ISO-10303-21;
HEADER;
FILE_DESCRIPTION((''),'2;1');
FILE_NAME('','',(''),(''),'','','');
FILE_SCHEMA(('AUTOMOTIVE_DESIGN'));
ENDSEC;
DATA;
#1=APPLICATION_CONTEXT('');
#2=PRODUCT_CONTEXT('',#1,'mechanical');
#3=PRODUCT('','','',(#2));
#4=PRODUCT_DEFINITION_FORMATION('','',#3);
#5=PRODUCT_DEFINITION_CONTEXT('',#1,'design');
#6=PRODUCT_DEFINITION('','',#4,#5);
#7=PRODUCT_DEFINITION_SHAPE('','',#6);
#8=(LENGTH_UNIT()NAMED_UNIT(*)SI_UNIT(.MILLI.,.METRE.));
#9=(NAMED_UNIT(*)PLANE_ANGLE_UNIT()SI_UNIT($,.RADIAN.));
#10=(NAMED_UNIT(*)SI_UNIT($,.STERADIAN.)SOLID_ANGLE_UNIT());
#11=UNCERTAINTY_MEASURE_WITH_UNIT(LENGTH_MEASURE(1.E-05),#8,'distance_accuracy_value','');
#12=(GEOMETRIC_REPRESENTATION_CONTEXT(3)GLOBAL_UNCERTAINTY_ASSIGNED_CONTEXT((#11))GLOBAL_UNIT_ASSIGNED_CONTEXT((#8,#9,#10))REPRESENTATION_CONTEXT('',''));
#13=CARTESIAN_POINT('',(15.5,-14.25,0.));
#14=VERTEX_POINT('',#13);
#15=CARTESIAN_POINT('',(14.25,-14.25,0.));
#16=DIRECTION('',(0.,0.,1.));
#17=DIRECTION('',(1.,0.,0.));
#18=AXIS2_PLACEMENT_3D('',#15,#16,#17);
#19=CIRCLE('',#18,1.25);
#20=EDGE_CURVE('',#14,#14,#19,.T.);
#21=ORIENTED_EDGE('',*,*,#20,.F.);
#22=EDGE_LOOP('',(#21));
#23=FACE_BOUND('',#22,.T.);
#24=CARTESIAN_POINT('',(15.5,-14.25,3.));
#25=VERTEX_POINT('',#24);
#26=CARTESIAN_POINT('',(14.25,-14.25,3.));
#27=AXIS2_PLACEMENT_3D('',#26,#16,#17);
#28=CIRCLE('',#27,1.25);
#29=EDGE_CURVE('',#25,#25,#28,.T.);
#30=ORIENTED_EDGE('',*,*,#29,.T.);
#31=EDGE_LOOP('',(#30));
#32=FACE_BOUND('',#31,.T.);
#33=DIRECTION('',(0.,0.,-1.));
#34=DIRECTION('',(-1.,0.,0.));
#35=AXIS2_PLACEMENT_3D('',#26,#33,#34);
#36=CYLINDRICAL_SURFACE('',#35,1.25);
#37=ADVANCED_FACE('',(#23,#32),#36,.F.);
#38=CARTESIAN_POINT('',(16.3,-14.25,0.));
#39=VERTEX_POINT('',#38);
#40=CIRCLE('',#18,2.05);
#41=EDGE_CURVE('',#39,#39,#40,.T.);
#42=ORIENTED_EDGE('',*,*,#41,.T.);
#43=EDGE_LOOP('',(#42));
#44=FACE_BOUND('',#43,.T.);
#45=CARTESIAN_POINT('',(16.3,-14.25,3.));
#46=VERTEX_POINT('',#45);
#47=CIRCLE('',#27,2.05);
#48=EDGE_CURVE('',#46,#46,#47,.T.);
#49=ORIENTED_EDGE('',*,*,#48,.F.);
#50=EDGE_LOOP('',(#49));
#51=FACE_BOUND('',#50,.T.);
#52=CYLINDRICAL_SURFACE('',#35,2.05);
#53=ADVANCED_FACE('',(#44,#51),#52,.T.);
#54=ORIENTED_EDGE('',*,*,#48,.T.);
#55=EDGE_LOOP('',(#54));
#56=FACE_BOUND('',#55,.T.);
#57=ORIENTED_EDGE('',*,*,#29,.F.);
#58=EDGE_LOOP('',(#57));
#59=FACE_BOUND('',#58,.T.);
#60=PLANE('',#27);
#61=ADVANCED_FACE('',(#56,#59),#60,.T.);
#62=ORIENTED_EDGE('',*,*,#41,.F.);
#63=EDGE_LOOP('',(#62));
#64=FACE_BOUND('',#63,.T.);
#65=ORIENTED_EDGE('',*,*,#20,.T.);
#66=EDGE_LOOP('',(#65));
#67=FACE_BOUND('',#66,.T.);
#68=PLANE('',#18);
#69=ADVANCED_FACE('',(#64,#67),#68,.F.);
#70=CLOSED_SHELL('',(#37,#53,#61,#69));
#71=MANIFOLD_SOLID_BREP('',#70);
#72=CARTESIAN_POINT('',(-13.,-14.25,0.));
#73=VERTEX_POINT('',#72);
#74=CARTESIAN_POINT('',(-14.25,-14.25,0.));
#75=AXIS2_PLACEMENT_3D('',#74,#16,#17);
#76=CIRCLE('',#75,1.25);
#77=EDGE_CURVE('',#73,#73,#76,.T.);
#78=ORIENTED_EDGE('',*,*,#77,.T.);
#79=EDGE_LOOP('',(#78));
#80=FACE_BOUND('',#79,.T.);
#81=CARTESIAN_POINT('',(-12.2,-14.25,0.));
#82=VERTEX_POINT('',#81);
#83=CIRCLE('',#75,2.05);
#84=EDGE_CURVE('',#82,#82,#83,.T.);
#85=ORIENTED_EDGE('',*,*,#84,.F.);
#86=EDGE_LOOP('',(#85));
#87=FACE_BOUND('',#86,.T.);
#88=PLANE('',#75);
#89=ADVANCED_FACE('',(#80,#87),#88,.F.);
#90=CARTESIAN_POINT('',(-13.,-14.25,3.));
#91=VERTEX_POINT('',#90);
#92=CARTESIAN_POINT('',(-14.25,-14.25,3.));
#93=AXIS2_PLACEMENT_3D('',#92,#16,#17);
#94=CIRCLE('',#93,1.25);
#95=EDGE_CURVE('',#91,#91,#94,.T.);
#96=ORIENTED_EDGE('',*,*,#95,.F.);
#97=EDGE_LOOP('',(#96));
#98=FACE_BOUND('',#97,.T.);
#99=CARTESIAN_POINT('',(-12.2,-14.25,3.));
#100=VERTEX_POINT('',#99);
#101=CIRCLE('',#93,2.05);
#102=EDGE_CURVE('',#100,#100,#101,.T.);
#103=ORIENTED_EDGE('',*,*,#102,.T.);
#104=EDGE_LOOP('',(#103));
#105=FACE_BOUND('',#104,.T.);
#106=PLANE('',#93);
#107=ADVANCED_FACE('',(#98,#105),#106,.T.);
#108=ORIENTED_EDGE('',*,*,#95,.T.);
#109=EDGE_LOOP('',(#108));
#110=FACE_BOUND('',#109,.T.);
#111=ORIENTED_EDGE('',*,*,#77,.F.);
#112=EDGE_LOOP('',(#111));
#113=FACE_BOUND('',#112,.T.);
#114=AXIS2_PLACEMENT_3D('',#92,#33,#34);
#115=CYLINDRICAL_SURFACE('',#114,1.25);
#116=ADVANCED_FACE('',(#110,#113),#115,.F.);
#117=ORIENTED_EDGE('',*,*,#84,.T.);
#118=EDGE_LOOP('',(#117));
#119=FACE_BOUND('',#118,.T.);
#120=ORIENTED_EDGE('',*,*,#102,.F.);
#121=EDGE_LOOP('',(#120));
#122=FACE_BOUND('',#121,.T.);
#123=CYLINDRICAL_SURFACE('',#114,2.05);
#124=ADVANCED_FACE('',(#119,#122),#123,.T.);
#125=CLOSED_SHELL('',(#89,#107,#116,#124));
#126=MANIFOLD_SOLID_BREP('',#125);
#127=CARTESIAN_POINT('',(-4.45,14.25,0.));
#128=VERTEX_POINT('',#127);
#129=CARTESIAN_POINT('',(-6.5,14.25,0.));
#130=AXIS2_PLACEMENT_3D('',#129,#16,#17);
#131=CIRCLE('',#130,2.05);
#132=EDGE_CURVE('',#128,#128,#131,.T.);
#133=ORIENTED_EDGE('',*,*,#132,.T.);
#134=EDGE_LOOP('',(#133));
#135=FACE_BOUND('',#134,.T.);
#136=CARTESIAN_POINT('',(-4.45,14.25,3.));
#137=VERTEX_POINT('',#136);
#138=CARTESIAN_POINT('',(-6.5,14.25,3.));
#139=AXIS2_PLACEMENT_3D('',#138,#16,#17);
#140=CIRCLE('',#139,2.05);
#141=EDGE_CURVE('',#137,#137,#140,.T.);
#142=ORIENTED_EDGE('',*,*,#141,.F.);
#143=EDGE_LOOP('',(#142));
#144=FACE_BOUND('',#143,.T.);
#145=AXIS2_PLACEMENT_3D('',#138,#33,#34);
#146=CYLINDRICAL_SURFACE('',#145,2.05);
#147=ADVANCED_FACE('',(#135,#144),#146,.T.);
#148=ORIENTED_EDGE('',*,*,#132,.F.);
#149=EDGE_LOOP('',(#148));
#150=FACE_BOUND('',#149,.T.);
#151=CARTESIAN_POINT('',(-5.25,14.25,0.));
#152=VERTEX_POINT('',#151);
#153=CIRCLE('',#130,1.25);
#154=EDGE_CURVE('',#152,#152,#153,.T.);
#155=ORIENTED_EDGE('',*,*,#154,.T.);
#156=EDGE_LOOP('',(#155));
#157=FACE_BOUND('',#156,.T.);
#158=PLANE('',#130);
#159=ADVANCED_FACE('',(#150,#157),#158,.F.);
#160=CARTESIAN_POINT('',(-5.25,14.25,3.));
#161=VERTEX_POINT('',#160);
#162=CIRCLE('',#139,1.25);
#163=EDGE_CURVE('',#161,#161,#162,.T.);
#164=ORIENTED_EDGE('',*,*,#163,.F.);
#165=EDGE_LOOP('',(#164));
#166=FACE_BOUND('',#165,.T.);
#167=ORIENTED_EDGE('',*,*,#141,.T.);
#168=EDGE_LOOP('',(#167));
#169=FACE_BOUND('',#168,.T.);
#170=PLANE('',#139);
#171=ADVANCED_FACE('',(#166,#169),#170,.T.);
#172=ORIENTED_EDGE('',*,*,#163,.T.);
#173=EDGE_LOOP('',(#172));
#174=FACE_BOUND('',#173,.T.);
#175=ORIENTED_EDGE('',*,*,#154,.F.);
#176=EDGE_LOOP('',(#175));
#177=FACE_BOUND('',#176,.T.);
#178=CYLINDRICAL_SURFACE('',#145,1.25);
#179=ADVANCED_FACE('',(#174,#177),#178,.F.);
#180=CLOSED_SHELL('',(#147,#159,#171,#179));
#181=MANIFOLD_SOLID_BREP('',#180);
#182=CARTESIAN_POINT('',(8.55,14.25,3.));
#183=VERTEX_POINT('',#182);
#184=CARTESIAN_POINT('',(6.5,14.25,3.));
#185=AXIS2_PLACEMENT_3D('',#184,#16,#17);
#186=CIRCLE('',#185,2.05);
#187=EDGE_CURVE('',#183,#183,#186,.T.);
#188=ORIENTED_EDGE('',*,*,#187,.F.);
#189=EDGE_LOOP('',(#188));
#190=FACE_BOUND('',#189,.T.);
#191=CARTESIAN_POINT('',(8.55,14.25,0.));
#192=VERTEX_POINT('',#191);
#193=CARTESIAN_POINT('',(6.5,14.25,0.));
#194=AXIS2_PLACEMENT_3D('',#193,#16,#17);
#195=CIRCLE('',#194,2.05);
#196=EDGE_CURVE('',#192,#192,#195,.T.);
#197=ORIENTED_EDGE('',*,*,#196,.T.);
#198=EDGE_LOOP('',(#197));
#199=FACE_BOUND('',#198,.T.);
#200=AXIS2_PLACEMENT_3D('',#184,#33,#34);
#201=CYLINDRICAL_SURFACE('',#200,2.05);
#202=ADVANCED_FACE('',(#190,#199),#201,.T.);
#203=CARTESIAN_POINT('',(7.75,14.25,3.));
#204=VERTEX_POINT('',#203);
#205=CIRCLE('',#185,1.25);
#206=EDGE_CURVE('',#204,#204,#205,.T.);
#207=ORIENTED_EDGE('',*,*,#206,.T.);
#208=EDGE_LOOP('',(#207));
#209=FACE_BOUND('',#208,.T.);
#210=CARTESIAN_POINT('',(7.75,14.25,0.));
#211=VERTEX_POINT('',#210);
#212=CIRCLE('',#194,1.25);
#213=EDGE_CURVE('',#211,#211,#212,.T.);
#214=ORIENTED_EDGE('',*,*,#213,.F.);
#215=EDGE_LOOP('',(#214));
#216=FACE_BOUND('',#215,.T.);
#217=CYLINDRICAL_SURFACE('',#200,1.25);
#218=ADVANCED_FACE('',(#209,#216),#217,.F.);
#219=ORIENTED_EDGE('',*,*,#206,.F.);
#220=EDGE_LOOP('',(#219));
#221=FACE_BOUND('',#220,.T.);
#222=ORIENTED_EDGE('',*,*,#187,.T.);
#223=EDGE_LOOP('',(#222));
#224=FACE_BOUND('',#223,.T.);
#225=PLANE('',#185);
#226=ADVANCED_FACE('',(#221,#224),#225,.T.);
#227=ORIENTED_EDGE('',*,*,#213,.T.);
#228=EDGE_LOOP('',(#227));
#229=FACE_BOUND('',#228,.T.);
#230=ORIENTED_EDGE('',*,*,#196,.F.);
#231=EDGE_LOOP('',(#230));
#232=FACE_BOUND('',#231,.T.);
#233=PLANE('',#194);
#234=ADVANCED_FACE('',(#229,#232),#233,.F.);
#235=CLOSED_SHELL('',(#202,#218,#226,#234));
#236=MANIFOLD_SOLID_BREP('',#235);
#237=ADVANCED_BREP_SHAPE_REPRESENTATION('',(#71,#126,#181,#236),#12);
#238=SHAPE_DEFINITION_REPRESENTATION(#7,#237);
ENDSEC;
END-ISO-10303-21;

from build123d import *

# Parameters (mm, degrees)
SKETCH_1_R        = 2.05
SKETCH_1_R_2      = 1.25
EXTRUDE_1_DEPTH   = 3
EXTRUDE_1_2_DEPTH = 3
EXTRUDE_1_3_DEPTH = 3
EXTRUDE_1_4_DEPTH = 3


with BuildPart() as part:
    # Эскиз1 → Бобышка-Вытянуть1 (new body)
    with BuildSketch(Plane.XY):
        with Locations((6.5, 14.25)):
            Circle(SKETCH_1_R)
        with Locations((6.5, 14.25)):
            Circle(SKETCH_1_R_2, mode=Mode.SUBTRACT)
    extrude(amount=EXTRUDE_1_DEPTH)


with BuildPart() as body_2:
    # Эскиз1 → Extrude 1 2 (new body)
    with BuildSketch(Plane.XY):
        with Locations((14.25, -14.25)):
            Circle(SKETCH_1_R)
        with Locations((14.25, -14.25)):
            Circle(SKETCH_1_R_2, mode=Mode.SUBTRACT)
    extrude(amount=EXTRUDE_1_2_DEPTH)


with BuildPart() as body_3:
    # Эскиз1 → Extrude 1 3 (new body)
    with BuildSketch(Plane.XY):
        with Locations((-14.25, -14.25)):
            Circle(SKETCH_1_R)
        with Locations((-14.25, -14.25)):
            Circle(SKETCH_1_R_2, mode=Mode.SUBTRACT)
    extrude(amount=EXTRUDE_1_3_DEPTH)


with BuildPart() as body_4:
    # Эскиз1 → Extrude 1 4 (new body)
    with BuildSketch(Plane.XY):
        with Locations((-6.5, 14.25)):
            Circle(SKETCH_1_R)
        with Locations((-6.5, 14.25)):
            Circle(SKETCH_1_R_2, mode=Mode.SUBTRACT)
    extrude(amount=EXTRUDE_1_4_DEPTH)


solid = Compound([part.part, body_2.part, body_3.part, body_4.part])
